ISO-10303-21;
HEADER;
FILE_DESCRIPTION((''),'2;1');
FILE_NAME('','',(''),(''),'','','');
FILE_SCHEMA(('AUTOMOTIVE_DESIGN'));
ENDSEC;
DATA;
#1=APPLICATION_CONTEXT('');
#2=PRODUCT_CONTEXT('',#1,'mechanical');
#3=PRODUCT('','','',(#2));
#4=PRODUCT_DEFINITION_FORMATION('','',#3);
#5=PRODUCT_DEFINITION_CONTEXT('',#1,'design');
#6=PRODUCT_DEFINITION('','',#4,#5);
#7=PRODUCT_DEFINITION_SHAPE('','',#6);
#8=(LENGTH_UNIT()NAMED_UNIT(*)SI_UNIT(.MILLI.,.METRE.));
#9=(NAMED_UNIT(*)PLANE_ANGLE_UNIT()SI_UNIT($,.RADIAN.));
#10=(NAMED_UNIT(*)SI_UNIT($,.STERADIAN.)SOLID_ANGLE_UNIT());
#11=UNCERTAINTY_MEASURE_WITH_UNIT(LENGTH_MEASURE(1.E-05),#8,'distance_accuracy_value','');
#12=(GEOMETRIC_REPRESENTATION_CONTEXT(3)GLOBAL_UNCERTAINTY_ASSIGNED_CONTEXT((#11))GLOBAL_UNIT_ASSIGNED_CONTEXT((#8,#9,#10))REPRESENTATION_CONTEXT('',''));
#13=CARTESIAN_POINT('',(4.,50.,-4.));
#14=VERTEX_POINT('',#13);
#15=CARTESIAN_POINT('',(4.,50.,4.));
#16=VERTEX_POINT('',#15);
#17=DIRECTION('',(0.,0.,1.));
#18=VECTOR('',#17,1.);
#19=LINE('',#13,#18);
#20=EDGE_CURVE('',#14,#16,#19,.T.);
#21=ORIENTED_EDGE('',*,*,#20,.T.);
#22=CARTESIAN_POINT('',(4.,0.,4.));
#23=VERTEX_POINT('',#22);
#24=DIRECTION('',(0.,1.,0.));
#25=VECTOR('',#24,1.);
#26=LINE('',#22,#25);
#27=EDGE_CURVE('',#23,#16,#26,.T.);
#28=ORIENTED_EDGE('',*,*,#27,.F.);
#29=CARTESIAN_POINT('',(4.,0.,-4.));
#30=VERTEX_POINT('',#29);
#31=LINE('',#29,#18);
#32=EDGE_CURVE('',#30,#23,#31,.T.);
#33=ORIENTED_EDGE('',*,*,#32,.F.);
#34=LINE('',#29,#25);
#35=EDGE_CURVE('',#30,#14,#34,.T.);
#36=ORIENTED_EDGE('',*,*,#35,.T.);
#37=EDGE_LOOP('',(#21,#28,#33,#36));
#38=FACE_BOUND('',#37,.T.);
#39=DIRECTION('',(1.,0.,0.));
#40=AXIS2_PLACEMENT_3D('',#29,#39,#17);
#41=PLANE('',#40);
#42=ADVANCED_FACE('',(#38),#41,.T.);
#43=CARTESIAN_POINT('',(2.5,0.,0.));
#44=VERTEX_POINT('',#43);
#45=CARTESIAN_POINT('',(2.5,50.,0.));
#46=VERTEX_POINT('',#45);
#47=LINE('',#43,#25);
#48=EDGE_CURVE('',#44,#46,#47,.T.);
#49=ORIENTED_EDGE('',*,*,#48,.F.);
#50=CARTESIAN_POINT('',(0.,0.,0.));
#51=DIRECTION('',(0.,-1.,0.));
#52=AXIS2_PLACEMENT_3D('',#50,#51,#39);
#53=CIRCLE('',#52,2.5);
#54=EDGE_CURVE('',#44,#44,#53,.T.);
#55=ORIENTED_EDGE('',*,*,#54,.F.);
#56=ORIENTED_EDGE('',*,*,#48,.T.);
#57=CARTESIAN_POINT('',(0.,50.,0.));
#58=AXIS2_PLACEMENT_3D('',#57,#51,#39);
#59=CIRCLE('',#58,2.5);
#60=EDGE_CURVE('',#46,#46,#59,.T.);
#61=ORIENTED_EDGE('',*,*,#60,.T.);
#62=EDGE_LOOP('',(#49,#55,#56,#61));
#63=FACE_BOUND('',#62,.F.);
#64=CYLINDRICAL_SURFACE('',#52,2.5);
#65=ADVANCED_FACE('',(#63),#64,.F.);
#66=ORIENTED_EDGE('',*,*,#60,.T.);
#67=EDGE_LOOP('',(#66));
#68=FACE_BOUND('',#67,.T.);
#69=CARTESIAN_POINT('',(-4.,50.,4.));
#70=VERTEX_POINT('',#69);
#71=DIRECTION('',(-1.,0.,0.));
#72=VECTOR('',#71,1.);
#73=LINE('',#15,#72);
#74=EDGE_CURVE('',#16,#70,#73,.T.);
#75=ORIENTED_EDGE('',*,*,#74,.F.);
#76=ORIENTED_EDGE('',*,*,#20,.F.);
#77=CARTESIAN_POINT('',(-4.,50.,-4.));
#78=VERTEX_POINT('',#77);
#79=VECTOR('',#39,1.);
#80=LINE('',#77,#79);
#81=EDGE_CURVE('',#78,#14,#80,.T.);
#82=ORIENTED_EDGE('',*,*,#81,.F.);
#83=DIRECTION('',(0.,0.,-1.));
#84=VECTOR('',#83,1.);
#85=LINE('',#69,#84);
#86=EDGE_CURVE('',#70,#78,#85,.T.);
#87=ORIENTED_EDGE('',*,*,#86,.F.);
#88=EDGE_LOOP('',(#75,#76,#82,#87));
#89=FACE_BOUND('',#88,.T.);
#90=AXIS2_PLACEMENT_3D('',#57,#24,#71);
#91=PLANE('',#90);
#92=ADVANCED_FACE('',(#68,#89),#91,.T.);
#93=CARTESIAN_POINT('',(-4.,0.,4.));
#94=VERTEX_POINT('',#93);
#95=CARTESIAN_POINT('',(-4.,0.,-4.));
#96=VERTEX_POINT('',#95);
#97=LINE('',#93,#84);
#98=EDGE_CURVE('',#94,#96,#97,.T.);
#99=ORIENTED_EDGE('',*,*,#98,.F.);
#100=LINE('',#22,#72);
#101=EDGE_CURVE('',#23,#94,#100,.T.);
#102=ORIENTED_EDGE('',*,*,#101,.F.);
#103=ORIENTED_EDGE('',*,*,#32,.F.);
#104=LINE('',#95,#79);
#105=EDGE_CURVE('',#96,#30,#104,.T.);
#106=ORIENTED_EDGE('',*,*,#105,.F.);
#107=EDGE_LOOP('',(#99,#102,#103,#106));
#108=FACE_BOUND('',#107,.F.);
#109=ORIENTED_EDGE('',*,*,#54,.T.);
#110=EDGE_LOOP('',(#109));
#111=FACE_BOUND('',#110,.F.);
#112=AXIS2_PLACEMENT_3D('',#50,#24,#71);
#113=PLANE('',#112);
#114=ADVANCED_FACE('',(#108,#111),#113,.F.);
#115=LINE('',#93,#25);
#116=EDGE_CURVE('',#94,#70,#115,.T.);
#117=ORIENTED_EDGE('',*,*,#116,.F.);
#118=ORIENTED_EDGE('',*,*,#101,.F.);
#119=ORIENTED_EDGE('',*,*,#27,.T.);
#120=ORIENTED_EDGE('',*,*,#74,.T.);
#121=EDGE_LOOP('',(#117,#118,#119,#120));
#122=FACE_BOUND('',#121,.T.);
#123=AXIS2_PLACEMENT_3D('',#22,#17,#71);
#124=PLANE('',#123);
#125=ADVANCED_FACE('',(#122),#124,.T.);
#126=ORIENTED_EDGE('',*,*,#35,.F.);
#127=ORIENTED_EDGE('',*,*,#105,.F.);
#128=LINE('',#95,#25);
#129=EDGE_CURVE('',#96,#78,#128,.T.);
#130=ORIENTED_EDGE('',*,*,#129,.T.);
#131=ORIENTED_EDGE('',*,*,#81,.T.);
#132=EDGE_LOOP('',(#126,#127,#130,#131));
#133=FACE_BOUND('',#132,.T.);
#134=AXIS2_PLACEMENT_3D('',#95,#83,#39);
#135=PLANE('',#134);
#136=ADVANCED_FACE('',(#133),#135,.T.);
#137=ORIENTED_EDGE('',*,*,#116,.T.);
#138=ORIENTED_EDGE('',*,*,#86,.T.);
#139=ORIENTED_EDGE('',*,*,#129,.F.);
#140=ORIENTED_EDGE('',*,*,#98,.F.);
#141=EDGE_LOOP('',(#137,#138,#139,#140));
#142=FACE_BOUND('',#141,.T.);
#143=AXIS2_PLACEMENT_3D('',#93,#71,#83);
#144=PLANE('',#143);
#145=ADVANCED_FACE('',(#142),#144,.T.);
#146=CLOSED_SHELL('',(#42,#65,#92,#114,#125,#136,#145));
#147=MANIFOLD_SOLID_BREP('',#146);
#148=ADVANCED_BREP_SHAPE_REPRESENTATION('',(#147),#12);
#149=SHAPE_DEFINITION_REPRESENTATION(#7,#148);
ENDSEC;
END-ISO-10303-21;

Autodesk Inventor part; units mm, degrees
ref_plane "YZ Plane" through (0, 0, 0) normal (1, 0, 0) x (0, 1, 0)
ref_plane "XZ Plane" through (0, 0, 0) normal (0, 1, 0) x (-1, 0, 0)
ref_plane "XY Plane" through (0, 0, 0) normal (0, 0, 1) x (1, 0, 0)
sketch "Sketch1" plane through (0, 0, 0) normal (0, 1, 0) x (-1, 0, 0)
  line L0 (4, 4) -> (4, -4)
  line L1 (4, -4) -> (-4, -4)
  line L2 (-4, -4) -> (-4, 4)
  line L3 (-4, 4) -> (4, 4)
  line L4 (4, 4) -> (-4, -4) construction
  line L5 (4, -4) -> (-4, 4) construction
  point P0 (0, 0)
  dimension "d0" = 8
  dimension "d1" = 8
extrude "Extrusion1" add sketch "Sketch1" along normal blind 50
sketch "Sketch2" plane through (0, 0, 0) normal (0, -1, 0) x (1, 0, 0)
  circle A0 centre (0, 0) radius 2.5
  dimension "d4" = 5
extrude "Extrusion2" cut sketch "Sketch2" against normal blind 50
properties part number "carbon_fiber_100"
